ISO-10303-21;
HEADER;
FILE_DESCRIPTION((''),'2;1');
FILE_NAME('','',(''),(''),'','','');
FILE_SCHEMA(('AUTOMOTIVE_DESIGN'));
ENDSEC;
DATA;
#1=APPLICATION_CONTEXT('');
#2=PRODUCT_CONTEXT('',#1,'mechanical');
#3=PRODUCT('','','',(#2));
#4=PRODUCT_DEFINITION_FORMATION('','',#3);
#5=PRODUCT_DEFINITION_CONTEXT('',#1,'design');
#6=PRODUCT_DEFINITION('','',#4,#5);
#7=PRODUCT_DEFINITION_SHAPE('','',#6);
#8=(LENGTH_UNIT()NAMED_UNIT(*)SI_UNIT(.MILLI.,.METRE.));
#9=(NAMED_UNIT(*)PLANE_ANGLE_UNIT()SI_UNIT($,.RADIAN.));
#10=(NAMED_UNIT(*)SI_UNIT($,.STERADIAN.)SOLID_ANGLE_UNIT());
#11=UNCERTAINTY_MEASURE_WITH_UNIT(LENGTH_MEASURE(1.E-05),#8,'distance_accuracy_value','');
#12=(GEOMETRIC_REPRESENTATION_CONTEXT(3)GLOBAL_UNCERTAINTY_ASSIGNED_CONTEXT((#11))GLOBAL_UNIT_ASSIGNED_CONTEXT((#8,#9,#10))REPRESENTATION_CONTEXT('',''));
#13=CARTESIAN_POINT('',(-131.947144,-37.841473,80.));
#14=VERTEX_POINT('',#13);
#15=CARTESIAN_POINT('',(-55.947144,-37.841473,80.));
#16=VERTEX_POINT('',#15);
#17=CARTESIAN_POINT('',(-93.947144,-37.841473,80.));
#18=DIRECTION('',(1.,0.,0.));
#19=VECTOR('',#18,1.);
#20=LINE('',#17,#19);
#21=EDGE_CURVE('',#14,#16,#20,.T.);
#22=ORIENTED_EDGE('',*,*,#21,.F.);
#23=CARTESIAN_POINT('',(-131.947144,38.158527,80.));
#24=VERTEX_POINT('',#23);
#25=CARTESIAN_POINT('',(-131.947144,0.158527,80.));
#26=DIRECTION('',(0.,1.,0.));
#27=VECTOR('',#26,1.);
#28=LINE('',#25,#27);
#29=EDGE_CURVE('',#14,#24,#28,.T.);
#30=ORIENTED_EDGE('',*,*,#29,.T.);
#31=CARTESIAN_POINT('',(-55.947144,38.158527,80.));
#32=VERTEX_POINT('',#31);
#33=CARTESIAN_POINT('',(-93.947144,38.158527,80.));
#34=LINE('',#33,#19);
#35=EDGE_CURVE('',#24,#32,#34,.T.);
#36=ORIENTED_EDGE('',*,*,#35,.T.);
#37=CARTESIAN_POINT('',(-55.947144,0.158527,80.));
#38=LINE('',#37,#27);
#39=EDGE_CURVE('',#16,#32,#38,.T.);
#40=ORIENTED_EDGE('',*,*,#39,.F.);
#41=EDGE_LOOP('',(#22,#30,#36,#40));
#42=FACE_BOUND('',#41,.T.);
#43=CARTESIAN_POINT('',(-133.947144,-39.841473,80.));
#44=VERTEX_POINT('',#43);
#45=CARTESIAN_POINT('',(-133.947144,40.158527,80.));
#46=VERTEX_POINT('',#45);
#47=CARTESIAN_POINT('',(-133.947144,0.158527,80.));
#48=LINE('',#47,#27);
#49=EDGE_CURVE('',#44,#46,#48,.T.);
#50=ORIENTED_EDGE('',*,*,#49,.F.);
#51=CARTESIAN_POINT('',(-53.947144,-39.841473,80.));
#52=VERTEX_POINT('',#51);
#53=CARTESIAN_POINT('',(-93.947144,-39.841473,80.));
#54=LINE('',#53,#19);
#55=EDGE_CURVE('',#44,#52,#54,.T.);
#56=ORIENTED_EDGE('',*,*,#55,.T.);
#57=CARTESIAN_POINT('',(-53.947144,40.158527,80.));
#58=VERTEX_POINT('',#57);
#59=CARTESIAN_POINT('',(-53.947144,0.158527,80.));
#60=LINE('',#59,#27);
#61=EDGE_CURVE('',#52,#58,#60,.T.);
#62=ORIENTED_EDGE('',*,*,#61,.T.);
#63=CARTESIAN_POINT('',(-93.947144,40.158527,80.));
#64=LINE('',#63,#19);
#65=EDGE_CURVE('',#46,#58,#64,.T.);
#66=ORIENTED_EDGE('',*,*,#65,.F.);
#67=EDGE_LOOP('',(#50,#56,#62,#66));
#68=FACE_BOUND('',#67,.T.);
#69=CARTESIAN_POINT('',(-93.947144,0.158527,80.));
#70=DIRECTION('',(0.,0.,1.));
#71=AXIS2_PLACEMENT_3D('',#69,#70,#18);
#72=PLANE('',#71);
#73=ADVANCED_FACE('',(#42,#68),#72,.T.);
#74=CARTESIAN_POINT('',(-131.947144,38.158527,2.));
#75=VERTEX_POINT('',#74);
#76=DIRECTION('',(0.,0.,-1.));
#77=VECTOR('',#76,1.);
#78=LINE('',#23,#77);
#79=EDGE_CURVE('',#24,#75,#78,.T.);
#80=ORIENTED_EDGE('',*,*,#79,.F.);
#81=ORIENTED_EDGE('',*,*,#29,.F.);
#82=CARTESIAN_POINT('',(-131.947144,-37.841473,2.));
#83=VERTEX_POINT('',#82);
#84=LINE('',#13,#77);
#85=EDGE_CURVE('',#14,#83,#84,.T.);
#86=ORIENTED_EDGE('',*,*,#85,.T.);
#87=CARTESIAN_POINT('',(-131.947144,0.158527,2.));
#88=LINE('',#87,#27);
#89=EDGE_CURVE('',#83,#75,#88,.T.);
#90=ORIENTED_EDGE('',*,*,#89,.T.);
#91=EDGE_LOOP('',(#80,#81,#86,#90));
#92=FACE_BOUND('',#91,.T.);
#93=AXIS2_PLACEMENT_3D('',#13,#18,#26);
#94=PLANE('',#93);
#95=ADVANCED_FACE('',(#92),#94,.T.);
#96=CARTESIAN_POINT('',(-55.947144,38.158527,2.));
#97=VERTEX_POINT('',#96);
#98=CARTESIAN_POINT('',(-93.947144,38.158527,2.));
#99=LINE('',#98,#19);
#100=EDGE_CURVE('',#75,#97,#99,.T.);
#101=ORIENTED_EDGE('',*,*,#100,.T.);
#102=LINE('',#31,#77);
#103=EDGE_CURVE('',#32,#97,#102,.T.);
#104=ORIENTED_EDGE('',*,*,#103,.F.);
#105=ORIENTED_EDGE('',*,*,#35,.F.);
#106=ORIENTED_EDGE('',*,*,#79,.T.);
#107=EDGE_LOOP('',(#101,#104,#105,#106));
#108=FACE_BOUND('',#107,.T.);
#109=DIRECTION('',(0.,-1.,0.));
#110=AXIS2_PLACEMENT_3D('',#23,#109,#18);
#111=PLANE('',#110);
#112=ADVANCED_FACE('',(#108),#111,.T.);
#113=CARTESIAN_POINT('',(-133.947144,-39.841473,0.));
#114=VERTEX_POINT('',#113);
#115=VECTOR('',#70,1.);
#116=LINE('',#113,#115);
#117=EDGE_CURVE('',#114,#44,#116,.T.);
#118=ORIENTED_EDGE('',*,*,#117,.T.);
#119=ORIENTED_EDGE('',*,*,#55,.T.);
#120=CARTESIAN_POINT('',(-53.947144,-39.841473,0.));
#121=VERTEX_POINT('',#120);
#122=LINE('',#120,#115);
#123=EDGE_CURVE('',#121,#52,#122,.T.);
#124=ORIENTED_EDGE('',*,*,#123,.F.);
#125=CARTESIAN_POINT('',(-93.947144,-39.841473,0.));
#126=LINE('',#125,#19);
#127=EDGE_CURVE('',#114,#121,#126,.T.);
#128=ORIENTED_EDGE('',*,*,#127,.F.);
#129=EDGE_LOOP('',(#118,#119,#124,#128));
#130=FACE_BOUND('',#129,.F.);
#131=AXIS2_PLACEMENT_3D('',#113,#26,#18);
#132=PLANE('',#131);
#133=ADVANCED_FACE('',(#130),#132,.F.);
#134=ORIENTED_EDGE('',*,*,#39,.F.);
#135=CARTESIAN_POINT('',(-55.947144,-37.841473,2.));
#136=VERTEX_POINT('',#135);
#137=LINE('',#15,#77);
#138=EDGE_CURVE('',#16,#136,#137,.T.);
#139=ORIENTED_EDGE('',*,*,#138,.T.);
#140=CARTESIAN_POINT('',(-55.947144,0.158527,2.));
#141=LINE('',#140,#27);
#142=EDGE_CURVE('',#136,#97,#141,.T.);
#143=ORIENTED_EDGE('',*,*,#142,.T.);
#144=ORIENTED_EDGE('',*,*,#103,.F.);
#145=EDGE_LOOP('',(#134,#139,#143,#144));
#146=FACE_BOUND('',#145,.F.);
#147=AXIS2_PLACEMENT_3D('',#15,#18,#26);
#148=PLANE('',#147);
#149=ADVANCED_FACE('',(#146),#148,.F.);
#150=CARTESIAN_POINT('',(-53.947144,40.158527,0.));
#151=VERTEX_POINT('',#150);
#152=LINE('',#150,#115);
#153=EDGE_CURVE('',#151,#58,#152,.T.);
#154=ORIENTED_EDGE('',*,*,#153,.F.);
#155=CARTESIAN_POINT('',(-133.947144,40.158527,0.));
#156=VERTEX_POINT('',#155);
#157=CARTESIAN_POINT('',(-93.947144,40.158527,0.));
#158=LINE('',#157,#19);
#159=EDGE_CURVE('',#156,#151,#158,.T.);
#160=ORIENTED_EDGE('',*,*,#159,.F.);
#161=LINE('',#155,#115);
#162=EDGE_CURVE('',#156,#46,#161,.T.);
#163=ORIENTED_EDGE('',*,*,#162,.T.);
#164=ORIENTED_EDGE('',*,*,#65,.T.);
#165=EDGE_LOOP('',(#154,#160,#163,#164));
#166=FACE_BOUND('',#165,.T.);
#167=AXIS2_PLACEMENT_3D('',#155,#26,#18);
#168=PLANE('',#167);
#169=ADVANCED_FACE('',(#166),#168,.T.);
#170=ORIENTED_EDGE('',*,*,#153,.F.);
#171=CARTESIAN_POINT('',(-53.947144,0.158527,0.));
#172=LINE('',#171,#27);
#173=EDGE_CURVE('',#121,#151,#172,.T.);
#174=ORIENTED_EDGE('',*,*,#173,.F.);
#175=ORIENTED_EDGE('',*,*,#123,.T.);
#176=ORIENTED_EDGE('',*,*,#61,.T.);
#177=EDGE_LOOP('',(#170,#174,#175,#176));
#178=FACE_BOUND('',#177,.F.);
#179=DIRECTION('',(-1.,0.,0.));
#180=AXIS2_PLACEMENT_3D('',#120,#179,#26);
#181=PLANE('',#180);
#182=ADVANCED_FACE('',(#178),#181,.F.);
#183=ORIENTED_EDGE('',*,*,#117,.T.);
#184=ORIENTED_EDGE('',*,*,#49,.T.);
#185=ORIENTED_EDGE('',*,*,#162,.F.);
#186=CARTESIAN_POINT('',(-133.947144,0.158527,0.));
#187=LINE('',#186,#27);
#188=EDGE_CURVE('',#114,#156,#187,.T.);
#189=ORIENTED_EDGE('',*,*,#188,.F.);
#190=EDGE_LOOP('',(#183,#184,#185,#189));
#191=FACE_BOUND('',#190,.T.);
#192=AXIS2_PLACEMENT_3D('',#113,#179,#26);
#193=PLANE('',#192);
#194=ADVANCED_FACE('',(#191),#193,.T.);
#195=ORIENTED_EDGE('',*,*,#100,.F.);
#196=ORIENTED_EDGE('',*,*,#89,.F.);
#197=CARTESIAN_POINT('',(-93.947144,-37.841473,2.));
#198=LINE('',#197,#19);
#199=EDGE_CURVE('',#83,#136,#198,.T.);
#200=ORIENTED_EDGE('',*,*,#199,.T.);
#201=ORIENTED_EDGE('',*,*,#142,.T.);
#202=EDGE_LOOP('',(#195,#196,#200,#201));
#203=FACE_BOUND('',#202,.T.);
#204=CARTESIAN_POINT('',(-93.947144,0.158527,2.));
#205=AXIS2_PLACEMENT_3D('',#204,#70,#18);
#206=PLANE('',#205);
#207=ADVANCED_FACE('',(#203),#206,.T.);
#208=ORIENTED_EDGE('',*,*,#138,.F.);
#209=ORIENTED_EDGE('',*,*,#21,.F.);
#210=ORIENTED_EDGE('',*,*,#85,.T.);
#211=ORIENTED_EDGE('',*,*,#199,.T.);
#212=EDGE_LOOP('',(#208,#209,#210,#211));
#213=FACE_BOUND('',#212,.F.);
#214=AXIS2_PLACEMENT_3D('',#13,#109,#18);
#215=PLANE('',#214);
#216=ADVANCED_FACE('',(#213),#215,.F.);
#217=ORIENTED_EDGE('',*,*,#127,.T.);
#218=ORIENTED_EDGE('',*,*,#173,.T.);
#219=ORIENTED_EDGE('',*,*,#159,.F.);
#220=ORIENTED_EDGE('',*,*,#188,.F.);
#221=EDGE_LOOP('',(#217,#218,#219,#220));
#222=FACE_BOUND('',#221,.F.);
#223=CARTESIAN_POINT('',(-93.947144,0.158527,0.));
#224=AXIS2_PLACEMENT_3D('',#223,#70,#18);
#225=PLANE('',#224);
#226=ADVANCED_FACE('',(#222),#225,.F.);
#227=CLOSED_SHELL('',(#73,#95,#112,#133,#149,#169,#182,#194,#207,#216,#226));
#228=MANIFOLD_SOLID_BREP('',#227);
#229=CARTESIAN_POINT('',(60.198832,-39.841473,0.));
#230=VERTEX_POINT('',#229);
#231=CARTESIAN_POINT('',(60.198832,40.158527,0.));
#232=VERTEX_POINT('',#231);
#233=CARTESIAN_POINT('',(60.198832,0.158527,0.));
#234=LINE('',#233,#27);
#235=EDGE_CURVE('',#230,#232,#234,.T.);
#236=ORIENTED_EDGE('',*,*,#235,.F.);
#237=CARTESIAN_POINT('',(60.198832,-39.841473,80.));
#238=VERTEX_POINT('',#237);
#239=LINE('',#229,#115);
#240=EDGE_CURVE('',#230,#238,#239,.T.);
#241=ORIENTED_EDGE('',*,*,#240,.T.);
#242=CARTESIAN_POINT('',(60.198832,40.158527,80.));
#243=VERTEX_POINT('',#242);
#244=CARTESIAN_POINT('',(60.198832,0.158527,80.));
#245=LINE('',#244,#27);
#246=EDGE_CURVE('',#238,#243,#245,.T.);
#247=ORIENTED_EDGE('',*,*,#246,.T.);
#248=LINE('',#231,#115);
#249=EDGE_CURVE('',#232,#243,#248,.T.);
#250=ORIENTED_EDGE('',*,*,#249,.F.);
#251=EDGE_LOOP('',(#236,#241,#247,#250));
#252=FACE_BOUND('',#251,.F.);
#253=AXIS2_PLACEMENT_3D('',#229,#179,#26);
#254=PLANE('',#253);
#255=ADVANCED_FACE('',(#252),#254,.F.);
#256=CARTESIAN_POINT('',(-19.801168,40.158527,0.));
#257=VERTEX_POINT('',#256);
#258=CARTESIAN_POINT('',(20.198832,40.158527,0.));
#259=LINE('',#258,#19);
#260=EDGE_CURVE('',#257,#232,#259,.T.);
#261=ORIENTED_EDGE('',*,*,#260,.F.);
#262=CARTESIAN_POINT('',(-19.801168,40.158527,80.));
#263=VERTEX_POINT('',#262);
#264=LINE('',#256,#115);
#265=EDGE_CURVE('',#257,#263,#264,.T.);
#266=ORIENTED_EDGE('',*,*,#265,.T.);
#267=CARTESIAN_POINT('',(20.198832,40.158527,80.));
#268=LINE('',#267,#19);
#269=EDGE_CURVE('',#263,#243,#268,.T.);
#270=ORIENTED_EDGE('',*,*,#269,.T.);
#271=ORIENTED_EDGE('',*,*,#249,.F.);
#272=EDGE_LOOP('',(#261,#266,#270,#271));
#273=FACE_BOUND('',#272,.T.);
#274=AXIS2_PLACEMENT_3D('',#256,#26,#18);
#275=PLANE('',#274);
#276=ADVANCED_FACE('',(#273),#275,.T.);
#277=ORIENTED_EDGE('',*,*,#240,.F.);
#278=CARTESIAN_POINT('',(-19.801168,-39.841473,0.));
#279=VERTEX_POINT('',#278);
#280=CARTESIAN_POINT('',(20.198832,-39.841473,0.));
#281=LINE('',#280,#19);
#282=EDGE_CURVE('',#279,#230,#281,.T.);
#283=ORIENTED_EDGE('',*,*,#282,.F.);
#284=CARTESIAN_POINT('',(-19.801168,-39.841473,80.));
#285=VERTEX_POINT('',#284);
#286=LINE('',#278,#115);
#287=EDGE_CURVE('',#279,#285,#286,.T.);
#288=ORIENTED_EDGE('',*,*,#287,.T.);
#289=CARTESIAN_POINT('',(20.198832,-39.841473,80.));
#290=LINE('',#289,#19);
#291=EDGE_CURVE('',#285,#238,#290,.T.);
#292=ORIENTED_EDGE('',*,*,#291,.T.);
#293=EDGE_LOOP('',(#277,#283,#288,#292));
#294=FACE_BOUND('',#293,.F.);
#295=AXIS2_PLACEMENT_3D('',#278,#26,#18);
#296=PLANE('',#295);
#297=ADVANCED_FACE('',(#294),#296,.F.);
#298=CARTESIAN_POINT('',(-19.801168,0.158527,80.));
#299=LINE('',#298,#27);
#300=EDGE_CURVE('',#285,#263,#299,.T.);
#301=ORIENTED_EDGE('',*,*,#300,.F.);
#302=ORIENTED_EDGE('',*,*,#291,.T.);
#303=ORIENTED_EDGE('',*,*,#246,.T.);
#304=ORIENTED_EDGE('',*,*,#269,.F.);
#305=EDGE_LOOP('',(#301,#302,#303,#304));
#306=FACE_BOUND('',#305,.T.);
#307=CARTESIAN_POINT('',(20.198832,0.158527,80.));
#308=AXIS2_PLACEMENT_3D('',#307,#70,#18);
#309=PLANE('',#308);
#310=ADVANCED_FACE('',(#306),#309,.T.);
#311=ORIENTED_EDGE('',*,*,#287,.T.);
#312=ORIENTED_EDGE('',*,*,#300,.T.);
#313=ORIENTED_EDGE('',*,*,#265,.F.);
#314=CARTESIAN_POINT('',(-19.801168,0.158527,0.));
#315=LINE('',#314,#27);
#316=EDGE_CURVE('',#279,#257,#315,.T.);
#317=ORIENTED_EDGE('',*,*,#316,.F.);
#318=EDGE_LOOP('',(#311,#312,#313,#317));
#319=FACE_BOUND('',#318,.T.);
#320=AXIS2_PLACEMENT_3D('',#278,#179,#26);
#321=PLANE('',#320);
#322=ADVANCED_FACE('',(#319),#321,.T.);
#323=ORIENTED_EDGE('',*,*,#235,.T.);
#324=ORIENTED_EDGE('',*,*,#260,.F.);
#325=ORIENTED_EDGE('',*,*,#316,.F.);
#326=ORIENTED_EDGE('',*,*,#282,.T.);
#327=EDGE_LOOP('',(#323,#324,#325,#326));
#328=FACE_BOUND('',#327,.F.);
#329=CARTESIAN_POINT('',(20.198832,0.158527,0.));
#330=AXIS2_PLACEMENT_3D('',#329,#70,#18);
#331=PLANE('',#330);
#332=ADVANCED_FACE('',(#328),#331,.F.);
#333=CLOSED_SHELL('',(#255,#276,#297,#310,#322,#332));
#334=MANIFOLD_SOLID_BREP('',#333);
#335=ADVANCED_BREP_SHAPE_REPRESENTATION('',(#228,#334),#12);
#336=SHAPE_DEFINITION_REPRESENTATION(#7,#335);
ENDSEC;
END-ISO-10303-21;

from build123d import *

# Parameters (mm, degrees)
F0_W     = 80
F0_H     = 80
F1_DEPTH = 80
F2_DEPTH = 80
F3_W     = 76
F3_H     = 76
F4_DEPTH = 78


with BuildPart() as f1:
    # F0 (on Top) → F1 (new body)
    with BuildSketch(Plane.XY):
        with Locations((-93.947144, 0.158527)):
            Rectangle(F0_W, F0_H)
    extrude(amount=F1_DEPTH)


with BuildPart() as f2:
    # F0 (on Top) → F2 (new body)
    with BuildSketch(Plane.XY):
        with Locations((20.198832, 0.158527)):
            Rectangle(F0_W, F0_H)
    extrude(amount=F2_DEPTH)


with BuildPart() as f4:
    # F3 (on face) → F4 (new body)
    with BuildSketch(Plane.XY.offset(80)):
        with Locations((-93.947144, 0.158527)):
            Rectangle(F3_W, F3_H)
    extrude(amount=-F4_DEPTH)


with BuildPart() as f1_1:
    add(f1.part)

    # F5: cut F4
    add(f4.part, mode=Mode.SUBTRACT)


solid = Compound([f2.part, f1_1.part])
